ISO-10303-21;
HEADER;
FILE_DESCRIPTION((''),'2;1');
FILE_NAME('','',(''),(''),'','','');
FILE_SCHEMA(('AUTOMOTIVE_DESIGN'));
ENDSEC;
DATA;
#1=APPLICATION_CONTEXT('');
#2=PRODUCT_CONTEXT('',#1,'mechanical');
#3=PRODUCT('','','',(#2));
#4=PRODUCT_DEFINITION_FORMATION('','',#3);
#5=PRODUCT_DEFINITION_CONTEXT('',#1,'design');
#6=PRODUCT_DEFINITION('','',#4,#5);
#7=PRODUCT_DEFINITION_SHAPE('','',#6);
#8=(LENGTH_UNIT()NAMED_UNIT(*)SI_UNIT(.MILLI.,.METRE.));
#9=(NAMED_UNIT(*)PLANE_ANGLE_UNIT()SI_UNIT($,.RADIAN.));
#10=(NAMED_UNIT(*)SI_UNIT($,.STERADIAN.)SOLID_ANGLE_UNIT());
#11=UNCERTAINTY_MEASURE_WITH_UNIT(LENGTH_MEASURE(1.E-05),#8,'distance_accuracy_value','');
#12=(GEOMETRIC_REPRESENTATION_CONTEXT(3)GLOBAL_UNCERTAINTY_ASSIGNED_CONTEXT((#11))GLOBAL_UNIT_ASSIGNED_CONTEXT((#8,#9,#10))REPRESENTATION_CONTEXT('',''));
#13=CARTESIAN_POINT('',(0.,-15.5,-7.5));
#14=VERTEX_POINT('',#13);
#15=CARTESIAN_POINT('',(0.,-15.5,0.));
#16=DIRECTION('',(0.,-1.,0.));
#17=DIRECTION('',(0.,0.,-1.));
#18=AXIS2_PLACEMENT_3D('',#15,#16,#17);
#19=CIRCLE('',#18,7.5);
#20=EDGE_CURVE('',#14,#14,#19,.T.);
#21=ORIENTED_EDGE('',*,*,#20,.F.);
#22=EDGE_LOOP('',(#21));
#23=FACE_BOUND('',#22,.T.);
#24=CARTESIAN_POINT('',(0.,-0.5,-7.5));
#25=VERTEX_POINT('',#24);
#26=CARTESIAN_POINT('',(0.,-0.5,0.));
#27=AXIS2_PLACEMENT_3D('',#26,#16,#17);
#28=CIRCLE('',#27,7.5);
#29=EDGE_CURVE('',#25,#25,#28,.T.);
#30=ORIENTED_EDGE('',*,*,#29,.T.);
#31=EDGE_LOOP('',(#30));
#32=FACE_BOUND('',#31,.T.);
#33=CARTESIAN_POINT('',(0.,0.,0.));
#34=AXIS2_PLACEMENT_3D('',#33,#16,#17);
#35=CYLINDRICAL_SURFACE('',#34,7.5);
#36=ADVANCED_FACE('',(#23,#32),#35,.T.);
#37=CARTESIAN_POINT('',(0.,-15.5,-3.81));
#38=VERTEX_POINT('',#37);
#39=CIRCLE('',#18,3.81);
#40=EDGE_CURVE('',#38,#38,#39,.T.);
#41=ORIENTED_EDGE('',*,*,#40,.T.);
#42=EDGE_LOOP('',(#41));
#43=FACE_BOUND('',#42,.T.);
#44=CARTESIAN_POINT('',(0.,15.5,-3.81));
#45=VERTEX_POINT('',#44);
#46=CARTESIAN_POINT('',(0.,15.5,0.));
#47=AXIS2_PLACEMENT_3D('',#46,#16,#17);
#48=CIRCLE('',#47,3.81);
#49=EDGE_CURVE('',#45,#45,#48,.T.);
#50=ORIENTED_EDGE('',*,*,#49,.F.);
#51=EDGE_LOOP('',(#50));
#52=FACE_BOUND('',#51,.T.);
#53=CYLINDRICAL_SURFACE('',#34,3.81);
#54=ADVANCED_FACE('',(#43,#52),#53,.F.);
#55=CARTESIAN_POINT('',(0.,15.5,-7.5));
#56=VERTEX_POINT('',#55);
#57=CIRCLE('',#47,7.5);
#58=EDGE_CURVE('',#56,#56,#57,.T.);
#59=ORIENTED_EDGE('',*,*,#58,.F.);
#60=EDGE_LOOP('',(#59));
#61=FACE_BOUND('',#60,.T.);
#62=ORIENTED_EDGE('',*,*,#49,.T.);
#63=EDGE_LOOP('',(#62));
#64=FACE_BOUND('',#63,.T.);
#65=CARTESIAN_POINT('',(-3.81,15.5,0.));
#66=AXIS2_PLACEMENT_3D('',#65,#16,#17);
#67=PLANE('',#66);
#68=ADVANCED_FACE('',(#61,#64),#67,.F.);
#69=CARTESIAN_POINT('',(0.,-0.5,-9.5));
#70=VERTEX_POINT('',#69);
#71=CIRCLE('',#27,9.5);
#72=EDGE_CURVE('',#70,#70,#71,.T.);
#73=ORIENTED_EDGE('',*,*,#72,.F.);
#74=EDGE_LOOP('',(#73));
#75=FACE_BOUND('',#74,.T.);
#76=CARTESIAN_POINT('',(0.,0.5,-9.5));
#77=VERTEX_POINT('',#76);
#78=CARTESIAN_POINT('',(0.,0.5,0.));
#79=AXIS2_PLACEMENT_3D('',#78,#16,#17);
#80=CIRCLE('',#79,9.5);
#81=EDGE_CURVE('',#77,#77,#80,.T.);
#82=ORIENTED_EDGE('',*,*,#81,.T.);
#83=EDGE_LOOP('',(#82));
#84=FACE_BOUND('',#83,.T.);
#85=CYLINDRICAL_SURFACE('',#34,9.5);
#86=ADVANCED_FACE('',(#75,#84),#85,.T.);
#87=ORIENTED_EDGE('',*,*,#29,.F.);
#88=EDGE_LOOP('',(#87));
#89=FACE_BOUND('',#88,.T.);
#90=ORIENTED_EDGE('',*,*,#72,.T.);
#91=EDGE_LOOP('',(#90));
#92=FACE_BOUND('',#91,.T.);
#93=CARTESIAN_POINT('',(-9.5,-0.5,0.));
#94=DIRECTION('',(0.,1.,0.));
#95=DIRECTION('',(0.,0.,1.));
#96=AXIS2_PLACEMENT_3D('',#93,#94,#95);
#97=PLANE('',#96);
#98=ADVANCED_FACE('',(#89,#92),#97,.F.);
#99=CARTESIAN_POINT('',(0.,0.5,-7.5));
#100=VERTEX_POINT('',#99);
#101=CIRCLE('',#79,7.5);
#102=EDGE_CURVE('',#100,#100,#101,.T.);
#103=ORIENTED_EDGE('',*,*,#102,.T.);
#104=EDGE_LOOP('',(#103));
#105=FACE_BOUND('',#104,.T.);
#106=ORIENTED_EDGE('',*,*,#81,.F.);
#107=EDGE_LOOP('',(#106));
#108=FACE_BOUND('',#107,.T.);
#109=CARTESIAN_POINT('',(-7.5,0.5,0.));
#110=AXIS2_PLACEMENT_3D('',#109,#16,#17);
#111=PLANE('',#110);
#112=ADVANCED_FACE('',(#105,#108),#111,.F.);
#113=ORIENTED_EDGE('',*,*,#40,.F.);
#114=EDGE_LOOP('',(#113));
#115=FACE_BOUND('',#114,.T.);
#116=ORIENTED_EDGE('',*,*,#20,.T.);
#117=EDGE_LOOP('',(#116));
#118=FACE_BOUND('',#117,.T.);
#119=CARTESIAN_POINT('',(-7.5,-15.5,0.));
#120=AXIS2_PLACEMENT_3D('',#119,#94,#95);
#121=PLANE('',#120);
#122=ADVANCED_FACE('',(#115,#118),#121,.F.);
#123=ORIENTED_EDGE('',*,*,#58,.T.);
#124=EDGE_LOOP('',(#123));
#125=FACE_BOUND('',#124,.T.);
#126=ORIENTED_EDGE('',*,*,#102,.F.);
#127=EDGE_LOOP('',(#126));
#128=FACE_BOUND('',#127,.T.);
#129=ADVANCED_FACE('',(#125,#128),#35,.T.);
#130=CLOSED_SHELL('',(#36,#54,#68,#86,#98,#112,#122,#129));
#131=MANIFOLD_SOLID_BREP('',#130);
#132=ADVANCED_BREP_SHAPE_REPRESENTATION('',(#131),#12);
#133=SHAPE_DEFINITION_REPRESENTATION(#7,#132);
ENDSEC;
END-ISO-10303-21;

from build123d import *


with BuildPart() as part:
    # Sketch1 → Revolve1 (revolve)
    with BuildSketch(Plane.XY, mode=Mode.PRIVATE) as revolve1_sk:
        Polygon((-3.81, -15.5), (-3.81, 15.5), (-7.5, 15.5), (-7.5, 0.5), (-9.5, 0.5), (-9.5, -0.5), (-7.5, -0.5), (-7.5, -15.5), align=None)
    revolve(revolve1_sk.sketch.rotate(Axis((0, 0, 0), (0, 1, 0)), 270), axis=Axis((0, 0, 0), (0, 1, 0)))


solid = part.part
